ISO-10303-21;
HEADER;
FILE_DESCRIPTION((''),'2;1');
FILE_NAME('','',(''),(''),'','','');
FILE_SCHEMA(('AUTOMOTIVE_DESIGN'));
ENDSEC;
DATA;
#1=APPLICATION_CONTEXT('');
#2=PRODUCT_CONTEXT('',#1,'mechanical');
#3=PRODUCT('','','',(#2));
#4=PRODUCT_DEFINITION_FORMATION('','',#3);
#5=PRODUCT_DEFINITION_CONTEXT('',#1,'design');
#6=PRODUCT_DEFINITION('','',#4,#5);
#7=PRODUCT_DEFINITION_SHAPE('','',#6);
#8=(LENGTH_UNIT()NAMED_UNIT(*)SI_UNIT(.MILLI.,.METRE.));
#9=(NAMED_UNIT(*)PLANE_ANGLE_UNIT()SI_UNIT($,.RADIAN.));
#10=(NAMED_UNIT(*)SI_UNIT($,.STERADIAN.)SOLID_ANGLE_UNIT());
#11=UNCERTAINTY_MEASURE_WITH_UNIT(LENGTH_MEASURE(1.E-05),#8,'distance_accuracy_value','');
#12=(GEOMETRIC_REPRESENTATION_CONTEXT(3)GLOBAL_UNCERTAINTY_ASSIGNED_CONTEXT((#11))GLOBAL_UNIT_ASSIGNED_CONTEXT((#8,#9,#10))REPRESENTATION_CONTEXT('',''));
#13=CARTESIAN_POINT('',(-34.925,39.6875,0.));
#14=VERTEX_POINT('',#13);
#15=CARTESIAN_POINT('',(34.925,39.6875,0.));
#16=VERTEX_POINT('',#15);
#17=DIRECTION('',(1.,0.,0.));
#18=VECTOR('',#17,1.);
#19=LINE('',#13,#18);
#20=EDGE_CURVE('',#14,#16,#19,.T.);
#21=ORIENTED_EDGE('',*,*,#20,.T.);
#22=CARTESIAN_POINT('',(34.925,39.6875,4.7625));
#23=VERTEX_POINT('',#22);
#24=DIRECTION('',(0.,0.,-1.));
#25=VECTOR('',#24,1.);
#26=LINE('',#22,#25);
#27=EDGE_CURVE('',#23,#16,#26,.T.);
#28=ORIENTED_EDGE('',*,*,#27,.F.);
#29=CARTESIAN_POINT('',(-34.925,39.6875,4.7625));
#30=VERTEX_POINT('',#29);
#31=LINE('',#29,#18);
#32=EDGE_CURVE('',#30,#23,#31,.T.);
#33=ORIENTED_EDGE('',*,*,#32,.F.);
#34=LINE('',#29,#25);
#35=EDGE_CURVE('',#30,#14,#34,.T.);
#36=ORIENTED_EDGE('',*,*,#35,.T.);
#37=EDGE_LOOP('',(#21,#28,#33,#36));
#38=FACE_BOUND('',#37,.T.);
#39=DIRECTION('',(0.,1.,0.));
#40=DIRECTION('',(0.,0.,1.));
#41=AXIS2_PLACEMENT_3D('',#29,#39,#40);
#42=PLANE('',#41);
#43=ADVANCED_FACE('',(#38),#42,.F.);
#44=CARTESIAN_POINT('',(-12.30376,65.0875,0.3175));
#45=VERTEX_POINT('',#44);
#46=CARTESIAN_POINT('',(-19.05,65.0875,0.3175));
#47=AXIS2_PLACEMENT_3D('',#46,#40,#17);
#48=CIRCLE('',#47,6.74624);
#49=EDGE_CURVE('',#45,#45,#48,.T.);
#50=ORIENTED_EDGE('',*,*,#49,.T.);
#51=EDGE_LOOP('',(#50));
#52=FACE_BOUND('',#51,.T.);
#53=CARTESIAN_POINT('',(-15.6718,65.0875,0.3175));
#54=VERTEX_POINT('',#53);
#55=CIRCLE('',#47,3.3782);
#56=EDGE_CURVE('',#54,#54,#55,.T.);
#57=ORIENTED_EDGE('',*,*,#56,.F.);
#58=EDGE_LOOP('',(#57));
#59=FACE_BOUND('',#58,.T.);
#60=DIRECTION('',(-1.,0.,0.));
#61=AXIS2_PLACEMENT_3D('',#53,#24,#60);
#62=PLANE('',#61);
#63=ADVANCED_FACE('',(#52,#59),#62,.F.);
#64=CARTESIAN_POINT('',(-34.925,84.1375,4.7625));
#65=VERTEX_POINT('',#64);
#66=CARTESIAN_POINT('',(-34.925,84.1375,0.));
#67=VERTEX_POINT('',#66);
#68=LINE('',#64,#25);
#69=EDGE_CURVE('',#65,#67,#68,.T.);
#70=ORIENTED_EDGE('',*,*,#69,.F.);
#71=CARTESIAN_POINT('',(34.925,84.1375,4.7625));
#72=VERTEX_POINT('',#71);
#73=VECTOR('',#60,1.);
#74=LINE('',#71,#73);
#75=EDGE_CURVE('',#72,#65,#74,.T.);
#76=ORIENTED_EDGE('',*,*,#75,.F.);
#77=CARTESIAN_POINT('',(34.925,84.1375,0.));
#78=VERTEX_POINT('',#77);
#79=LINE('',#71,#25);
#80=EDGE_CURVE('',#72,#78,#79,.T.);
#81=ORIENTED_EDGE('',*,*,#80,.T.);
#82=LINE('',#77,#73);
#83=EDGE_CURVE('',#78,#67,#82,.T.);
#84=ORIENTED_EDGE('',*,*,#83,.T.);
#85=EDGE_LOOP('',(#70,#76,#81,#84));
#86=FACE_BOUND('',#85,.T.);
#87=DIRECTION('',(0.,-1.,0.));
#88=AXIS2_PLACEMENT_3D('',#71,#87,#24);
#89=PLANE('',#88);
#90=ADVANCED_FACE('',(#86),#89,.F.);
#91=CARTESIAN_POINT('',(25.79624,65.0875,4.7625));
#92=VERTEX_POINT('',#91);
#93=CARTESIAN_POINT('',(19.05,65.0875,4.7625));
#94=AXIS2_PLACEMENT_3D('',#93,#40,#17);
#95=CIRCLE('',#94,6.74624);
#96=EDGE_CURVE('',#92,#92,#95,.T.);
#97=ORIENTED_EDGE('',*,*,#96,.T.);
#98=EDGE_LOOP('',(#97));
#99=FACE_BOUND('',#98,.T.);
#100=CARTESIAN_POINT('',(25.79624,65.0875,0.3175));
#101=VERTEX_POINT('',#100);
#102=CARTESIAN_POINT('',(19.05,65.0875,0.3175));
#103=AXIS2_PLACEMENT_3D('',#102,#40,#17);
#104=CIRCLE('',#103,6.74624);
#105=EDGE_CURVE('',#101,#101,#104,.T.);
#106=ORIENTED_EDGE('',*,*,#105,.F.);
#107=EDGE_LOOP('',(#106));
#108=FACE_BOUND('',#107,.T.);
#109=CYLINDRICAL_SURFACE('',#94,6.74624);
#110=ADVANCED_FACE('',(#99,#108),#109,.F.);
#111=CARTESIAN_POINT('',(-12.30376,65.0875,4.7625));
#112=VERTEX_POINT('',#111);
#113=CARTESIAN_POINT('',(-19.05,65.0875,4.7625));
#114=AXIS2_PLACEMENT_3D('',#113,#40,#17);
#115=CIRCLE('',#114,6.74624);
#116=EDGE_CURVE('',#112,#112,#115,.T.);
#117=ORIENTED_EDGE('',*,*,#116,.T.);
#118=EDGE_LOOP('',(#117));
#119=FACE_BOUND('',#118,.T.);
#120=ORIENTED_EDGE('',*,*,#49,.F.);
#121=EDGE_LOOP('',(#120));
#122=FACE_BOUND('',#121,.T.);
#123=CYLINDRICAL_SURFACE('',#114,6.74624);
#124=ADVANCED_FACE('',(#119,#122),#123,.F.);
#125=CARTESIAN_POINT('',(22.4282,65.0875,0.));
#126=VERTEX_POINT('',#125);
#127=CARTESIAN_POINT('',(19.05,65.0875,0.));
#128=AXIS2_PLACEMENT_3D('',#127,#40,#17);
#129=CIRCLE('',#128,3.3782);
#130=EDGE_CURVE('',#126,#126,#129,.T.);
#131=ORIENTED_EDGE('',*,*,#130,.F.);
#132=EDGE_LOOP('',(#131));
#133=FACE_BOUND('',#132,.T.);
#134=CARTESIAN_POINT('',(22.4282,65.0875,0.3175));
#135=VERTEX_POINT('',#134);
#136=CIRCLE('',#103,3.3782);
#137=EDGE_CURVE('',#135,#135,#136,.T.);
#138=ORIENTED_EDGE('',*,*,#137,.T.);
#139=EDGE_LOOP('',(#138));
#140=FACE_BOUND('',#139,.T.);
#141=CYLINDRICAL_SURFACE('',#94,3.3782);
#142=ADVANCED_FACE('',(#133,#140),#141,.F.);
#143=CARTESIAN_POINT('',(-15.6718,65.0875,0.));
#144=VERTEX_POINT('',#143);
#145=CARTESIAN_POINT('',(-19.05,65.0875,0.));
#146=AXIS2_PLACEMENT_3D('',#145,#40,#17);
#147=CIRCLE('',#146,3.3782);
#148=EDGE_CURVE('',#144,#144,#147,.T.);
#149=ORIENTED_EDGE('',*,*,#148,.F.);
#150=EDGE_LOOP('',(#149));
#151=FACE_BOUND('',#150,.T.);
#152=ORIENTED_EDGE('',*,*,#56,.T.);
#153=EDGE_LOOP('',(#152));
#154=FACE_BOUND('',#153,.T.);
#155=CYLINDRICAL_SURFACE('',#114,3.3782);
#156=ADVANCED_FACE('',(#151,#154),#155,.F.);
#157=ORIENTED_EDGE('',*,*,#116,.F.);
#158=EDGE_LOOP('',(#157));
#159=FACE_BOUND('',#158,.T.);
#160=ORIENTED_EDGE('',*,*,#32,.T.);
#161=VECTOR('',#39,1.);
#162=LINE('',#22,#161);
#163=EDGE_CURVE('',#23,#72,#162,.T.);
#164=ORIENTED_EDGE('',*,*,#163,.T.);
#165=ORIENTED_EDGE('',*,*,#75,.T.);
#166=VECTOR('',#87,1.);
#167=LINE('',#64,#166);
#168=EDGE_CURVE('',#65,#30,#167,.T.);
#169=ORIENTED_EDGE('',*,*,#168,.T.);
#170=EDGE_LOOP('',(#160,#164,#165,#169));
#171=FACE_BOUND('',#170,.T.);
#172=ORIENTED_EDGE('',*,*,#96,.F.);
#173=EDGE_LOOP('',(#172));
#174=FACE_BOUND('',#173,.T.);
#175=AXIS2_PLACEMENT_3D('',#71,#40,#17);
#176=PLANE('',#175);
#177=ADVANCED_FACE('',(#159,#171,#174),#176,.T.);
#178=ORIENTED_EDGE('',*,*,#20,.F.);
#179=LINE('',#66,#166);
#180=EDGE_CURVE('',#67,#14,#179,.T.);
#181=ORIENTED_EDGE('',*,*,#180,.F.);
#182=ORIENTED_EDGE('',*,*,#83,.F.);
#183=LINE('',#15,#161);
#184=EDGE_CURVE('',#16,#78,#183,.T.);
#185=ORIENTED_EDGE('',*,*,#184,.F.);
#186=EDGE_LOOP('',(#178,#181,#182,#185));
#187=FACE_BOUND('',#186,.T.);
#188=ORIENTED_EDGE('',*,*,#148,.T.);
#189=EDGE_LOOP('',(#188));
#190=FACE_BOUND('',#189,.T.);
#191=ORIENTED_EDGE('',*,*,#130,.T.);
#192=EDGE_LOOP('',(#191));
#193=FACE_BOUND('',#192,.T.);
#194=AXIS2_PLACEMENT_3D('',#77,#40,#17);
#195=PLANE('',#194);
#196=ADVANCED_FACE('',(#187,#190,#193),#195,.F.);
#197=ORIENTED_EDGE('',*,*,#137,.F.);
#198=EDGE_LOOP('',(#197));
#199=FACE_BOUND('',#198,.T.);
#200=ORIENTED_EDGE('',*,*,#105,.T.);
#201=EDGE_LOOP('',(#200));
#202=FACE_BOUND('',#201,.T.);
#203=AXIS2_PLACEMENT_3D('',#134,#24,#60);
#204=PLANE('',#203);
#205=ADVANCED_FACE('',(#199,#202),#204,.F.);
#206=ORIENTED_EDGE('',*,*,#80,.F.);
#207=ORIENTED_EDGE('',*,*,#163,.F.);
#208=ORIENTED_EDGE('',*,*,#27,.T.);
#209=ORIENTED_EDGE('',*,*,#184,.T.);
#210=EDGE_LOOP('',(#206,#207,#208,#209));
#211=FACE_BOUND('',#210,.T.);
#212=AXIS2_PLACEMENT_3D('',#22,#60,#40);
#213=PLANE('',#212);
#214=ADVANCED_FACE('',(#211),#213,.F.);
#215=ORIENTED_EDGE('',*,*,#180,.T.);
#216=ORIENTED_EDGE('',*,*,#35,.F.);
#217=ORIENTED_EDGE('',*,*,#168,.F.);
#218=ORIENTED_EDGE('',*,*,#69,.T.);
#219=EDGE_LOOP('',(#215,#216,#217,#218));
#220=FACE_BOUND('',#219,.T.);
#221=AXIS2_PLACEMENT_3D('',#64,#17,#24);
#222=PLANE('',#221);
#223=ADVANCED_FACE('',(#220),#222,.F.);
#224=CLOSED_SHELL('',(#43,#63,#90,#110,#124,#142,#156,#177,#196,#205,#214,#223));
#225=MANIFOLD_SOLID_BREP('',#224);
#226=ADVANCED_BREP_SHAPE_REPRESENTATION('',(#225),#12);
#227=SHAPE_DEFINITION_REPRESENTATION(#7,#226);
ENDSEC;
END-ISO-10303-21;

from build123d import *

# Parameters (mm, degrees)
SKETCH1_W                                         = 69.85
SKETCH1_H                                         = 44.45
EXTRUDE1_DEPTH                                    = 4.7625
CBORE_FOR_1_4_PAN_HEAD_MACHINE_SCREW1_D           = 6.7564
CBORE_FOR_1_4_PAN_HEAD_MACHINE_SCREW1_CBORE_D     = 13.49248
CBORE_FOR_1_4_PAN_HEAD_MACHINE_SCREW1_CBORE_DEPTH = 4.445


with BuildPart() as part:
    # Sketch1 → Extrude1 (new body)
    with BuildSketch(Plane.XY):
        with Locations((0, 61.9125)):
            Rectangle(SKETCH1_W, SKETCH1_H)
    extrude(amount=EXTRUDE1_DEPTH)

    # CBORE for 1/4 Pan Head Machine Screw1 (through all)
    with Locations(Plane.XY.offset(4.7625)):
        with Locations((-19.05, 65.0875), (19.05, 65.0875)):
            CounterBoreHole(CBORE_FOR_1_4_PAN_HEAD_MACHINE_SCREW1_D / 2, CBORE_FOR_1_4_PAN_HEAD_MACHINE_SCREW1_CBORE_D / 2, CBORE_FOR_1_4_PAN_HEAD_MACHINE_SCREW1_CBORE_DEPTH)


solid = part.part
